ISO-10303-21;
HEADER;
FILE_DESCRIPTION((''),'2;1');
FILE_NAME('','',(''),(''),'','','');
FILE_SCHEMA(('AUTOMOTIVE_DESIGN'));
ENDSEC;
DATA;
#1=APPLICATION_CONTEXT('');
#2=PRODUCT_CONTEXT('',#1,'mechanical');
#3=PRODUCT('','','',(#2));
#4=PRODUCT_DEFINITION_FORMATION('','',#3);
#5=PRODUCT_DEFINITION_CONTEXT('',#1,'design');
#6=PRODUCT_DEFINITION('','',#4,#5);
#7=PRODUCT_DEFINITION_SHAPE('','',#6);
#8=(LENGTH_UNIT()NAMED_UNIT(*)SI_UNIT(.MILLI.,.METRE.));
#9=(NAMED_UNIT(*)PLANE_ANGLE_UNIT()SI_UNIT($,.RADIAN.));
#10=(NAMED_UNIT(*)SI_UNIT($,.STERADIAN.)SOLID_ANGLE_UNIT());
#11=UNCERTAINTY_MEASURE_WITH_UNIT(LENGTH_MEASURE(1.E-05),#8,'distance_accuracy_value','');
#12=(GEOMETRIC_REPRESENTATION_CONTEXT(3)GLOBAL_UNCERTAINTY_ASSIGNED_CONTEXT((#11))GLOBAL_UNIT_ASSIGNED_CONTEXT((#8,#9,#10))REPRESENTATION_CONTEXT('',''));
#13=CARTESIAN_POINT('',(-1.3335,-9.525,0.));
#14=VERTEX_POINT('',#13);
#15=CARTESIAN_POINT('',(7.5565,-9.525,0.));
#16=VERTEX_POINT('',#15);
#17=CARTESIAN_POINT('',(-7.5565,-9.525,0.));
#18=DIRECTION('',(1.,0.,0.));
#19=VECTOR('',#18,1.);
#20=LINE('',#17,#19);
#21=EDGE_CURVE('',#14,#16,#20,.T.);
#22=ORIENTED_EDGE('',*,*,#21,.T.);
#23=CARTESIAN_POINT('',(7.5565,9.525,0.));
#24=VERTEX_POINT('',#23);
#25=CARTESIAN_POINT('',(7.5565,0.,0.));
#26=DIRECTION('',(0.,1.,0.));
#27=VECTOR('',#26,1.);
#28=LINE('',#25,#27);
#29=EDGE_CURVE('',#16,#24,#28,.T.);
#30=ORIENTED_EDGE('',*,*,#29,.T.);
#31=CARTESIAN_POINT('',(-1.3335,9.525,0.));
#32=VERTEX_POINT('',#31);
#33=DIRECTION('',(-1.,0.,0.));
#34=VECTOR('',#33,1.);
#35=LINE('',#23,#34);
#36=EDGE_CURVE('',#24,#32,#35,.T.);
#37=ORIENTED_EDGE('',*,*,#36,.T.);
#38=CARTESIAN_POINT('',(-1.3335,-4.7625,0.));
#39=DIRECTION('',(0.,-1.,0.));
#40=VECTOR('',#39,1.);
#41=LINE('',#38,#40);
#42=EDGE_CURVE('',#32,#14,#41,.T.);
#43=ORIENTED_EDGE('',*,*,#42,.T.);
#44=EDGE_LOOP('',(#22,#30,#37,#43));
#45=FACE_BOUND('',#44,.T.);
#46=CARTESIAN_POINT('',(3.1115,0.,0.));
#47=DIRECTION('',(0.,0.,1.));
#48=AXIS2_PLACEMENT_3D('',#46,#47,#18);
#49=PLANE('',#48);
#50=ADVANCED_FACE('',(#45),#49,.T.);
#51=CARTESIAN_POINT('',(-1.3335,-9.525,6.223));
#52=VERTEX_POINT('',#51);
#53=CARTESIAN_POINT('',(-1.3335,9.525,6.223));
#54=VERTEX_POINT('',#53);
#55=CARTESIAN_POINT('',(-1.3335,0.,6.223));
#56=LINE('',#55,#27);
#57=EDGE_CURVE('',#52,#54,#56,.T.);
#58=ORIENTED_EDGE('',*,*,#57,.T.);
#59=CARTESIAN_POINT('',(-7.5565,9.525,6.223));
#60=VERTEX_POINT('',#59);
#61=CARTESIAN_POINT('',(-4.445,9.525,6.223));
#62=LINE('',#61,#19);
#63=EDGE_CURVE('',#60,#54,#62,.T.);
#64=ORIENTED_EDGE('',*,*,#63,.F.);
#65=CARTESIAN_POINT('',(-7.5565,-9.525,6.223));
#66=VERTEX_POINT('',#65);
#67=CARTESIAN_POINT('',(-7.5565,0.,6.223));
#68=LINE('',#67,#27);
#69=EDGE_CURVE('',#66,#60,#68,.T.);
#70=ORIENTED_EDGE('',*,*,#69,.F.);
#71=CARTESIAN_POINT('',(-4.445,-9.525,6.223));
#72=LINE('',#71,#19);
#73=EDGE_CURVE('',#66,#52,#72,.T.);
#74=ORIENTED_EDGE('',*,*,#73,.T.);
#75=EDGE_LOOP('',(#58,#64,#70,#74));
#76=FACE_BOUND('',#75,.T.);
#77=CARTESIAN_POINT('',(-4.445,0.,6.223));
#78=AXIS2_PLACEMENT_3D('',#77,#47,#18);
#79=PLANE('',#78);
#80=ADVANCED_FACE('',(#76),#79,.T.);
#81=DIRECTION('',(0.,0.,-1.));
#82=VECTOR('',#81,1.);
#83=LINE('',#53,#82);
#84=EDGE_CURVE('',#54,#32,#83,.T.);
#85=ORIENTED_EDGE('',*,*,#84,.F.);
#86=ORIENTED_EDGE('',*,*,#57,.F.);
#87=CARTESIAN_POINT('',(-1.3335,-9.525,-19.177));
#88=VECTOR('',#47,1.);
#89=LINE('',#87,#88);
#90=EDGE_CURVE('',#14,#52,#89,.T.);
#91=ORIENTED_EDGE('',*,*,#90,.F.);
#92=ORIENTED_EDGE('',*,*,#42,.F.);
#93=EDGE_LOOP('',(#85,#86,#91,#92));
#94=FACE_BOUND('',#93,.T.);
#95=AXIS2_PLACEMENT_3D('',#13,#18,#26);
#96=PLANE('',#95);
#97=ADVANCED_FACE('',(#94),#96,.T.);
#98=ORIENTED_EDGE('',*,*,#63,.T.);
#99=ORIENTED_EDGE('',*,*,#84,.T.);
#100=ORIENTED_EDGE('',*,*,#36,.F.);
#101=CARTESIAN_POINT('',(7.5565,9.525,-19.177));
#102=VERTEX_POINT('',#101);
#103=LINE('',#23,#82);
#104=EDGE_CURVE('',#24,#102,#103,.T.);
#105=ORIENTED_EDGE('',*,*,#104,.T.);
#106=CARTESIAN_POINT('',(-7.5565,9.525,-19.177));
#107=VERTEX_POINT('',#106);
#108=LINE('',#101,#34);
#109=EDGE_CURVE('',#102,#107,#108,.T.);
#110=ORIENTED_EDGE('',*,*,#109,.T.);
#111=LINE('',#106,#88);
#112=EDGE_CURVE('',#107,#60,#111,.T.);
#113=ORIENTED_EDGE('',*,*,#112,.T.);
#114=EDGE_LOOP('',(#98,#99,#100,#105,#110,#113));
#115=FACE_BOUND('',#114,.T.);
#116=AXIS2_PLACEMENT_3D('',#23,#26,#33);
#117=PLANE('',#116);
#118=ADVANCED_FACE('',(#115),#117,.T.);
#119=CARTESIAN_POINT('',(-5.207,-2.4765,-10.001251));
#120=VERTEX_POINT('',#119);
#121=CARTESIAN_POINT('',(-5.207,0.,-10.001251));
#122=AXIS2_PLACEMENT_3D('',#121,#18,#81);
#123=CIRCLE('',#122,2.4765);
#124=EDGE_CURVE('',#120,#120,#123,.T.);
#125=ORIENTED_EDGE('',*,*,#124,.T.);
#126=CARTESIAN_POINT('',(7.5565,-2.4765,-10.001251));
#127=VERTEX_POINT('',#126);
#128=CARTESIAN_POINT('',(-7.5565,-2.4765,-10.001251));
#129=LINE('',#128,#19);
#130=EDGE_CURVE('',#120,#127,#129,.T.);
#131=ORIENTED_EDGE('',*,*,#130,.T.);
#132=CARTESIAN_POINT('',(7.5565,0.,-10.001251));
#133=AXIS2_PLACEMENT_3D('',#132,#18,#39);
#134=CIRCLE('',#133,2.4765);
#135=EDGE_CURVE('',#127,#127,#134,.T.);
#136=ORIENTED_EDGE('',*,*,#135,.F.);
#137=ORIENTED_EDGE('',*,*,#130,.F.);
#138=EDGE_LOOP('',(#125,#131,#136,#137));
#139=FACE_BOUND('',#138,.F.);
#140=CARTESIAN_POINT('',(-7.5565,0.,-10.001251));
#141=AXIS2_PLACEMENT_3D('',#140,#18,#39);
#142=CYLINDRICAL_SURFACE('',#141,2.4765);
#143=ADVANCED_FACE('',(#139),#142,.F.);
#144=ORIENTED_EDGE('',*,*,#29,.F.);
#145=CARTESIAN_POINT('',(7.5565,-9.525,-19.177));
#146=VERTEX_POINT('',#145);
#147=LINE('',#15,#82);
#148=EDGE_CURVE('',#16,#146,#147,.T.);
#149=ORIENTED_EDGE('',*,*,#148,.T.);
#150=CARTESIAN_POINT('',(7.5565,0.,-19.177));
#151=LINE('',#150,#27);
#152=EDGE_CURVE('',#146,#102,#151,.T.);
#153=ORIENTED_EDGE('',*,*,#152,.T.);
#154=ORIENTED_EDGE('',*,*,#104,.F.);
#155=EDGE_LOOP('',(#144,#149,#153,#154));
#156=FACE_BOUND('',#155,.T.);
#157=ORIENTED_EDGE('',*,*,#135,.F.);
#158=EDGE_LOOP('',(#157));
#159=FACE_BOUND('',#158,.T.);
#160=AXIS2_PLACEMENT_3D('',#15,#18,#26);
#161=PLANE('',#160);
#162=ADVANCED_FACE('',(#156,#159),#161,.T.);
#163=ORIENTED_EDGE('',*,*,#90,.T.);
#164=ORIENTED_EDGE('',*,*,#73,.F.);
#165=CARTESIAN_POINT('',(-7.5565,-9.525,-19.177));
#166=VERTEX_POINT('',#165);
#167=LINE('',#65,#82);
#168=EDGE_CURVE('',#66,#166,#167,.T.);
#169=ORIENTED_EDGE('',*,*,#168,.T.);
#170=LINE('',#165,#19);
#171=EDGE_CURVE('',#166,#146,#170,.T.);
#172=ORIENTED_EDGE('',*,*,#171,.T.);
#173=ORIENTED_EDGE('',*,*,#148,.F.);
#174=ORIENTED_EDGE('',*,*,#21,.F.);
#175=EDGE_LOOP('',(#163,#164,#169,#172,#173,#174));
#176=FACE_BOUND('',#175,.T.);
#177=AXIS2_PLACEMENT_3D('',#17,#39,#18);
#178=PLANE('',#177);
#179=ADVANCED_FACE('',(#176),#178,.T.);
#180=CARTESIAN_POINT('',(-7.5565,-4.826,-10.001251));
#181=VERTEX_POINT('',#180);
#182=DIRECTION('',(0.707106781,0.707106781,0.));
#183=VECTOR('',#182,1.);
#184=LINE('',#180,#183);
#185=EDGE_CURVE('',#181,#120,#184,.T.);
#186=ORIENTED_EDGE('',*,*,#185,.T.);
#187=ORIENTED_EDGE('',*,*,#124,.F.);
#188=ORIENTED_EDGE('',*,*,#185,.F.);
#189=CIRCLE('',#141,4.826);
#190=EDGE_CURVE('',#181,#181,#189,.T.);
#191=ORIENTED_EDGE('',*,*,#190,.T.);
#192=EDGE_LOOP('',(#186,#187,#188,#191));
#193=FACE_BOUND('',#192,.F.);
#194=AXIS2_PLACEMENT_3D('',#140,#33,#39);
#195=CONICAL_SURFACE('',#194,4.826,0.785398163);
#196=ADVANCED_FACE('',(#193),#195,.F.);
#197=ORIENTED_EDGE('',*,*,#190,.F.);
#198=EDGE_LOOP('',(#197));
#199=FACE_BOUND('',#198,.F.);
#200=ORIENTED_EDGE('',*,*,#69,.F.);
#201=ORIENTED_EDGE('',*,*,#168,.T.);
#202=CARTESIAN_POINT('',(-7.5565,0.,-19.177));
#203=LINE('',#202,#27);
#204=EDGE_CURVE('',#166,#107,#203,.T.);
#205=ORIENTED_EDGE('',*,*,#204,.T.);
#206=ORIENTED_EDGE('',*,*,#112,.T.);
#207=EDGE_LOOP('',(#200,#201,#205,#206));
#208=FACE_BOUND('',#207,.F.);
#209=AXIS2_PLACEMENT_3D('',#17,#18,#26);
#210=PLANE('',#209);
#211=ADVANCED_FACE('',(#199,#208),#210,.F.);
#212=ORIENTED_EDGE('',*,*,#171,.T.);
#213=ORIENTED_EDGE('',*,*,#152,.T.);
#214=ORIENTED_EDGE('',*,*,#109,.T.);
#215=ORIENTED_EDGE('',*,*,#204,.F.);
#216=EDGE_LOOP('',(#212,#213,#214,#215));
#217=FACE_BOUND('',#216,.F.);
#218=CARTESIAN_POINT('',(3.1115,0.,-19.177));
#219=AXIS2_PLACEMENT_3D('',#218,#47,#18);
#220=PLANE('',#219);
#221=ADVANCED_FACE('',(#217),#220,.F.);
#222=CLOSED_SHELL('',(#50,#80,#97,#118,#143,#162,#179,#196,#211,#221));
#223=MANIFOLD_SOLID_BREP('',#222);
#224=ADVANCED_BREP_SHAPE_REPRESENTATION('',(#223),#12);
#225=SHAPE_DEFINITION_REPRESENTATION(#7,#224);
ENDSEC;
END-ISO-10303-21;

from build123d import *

# Parameters (mm, degrees)
F0_W           = 6.223
F0_H           = 19.05
F1_DEPTH       = 6.223
F1_DEPTH_BACK  = 19.177
F0_W_2         = 8.89
F2_DEPTH       = 19.177
F5_D           = 4.953
F5_START       = 0.0127
F5_CSINK_D     = 9.652
F5_CSINK_ANGLE = 90


with BuildPart() as f1:
    # F0 (on Top) → F1 (new body, two sides)
    with BuildSketch(Plane.XY) as f1_sk:
        with Locations((-4.445, 0)):
            Rectangle(F0_W, F0_H)
    extrude(amount=F1_DEPTH)
    extrude(f1_sk.sketch, amount=-F1_DEPTH_BACK)

    # F0 (on Top) → F2 (join)
    with BuildSketch(Plane.XY):
        with Locations((3.1115, 0)):
            Rectangle(F0_W_2, F0_H)
        with Locations((-4.445, 0)):
            Rectangle(F0_W, F0_H)
    extrude(amount=-F2_DEPTH)

    # F5 (through all)
    # its depths count from where the whole tool has entered the part; down to there all is cleared
    with Locations(Plane(origin=(-7.5692, 0, 0), x_dir=(0, 1, 0), z_dir=(-1, 0, 0)).offset(-F5_START)):
        with Locations((0, 10.0012505427)):
            CounterSinkHole(F5_D / 2, F5_CSINK_D / 2, counter_sink_angle=F5_CSINK_ANGLE)


solid = f1.part
